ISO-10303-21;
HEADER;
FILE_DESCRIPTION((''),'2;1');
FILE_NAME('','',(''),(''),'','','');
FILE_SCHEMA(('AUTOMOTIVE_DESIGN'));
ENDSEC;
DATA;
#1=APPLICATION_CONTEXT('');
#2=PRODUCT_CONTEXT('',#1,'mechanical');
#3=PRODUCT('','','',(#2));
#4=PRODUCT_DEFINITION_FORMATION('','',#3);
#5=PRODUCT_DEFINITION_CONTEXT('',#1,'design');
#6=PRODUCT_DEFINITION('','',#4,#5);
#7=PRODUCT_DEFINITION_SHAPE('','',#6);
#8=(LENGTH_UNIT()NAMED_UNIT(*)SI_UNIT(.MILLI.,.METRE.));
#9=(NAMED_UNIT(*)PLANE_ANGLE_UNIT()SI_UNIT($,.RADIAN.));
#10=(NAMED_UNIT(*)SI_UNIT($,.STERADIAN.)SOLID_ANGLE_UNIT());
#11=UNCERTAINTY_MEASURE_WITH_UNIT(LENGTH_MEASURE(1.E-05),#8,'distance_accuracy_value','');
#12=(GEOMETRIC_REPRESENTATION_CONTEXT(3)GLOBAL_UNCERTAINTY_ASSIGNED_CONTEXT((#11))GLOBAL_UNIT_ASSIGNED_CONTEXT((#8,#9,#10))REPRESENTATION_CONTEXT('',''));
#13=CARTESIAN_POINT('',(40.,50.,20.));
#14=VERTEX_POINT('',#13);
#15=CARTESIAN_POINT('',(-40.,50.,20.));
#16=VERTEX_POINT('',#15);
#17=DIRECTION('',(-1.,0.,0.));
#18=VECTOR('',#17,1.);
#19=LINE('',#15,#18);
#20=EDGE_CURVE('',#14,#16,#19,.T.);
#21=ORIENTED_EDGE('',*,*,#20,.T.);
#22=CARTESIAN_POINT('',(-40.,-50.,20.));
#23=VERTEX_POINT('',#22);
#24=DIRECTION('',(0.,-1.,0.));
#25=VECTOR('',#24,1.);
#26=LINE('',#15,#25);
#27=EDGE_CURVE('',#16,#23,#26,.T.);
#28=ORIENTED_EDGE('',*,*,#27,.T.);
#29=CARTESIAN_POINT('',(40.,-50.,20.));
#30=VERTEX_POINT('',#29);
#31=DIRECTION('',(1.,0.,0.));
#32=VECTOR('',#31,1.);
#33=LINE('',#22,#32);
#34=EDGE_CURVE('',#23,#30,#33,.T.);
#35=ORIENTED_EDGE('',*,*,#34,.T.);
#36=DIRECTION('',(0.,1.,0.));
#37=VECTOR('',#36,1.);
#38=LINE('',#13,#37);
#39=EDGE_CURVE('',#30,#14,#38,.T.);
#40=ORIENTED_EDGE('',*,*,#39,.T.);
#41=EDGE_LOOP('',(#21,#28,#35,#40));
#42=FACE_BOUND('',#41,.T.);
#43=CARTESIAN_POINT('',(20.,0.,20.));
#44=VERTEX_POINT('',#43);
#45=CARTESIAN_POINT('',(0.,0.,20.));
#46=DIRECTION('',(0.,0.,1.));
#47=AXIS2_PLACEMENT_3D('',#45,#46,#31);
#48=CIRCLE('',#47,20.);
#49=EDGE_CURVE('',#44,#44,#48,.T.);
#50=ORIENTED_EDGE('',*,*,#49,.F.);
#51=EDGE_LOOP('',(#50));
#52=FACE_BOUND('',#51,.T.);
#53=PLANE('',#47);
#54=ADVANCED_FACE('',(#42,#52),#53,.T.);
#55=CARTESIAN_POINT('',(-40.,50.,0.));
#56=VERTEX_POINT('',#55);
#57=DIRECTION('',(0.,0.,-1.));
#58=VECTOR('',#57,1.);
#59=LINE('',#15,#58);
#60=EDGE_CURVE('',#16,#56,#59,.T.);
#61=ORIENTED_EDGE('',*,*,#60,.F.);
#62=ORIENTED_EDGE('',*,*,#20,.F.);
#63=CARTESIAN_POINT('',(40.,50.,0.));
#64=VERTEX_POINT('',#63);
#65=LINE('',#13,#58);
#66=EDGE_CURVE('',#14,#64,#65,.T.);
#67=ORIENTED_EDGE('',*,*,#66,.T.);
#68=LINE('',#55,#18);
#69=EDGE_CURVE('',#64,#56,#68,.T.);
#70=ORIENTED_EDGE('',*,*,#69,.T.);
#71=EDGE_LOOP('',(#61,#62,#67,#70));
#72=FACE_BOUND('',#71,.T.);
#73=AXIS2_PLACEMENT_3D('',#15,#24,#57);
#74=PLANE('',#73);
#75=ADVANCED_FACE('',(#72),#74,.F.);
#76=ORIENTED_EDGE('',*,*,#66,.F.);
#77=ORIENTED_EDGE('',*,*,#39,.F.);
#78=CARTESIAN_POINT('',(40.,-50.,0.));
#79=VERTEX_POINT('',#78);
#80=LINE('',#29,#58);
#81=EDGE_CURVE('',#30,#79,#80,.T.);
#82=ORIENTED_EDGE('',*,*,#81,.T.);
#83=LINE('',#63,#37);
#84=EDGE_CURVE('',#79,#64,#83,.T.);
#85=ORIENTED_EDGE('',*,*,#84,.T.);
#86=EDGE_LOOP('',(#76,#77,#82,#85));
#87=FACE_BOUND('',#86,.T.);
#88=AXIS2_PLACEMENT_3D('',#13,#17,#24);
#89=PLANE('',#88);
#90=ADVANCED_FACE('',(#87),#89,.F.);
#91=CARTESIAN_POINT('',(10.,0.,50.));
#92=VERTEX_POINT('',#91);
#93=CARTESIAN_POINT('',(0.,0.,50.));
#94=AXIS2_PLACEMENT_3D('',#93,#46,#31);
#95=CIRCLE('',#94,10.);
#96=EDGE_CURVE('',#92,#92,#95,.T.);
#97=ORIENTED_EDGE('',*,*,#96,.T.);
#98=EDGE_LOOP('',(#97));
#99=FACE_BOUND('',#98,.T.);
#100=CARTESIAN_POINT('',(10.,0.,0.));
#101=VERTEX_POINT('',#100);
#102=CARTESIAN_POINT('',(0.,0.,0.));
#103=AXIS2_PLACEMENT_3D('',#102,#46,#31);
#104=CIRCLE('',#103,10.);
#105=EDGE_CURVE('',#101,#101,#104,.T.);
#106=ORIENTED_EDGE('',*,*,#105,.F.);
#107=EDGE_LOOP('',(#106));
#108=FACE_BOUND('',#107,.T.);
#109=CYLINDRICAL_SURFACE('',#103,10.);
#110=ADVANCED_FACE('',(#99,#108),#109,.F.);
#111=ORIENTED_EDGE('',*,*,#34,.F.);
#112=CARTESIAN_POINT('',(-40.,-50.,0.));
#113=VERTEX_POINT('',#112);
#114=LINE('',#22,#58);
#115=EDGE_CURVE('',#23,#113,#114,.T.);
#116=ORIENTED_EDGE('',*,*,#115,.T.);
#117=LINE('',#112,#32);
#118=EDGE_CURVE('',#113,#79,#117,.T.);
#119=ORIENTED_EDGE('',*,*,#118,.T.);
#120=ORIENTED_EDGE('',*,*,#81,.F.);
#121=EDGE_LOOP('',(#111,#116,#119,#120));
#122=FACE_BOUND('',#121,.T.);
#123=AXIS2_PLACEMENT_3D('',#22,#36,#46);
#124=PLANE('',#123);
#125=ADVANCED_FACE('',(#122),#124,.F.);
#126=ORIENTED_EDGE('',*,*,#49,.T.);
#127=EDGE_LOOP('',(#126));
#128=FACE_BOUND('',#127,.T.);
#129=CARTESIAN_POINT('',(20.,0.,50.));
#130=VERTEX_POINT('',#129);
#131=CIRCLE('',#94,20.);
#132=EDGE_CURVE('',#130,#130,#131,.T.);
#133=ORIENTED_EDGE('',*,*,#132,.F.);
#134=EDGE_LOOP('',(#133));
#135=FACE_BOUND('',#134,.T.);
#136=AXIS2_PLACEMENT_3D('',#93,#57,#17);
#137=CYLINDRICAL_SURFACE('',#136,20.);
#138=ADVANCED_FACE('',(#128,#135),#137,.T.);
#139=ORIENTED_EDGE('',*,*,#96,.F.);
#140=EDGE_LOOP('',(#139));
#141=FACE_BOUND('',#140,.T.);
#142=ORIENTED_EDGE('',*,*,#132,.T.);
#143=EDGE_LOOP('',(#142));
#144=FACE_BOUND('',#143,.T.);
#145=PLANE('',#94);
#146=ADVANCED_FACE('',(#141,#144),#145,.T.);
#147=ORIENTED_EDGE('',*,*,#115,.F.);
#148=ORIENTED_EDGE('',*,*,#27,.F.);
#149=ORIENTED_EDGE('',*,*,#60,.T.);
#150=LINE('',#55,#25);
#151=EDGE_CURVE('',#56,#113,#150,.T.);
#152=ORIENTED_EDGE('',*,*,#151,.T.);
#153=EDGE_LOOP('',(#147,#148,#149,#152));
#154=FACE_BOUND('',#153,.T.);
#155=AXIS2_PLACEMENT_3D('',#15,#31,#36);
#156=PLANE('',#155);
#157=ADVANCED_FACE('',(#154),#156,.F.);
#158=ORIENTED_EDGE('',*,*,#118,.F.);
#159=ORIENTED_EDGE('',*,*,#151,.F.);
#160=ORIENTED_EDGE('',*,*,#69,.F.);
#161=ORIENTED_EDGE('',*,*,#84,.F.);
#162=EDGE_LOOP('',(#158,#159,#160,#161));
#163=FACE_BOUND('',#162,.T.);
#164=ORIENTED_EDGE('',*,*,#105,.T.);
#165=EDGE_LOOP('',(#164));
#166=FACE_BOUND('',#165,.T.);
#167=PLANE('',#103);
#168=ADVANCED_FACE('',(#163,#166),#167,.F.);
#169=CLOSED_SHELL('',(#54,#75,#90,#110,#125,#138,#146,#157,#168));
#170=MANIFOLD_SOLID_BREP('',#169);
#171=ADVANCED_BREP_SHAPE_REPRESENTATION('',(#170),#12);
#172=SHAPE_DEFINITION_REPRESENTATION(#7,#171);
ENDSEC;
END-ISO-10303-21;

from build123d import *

# Parameters (mm, degrees)
ESQUISSE1_W             = 80
ESQUISSE1_H             = 100
BOSS_EXTRU_1_DEPTH      = 20
ESQUISSE2_R             = 20
BOSS_EXTRU_2_DEPTH      = 30
ESQUISSE3_R             = 10
ENL_V_MAT_EXTRU_1_DEPTH = 82.240384046


with BuildPart() as part:
    # Esquisse1 → Boss.-Extru.1 (new body)
    with BuildSketch(Plane.XY):
        Rectangle(ESQUISSE1_W, ESQUISSE1_H)
    extrude(amount=BOSS_EXTRU_1_DEPTH)

    # Esquisse2 → Boss.-Extru.2 (add)
    with BuildSketch(Plane.XY.offset(20)):
        Circle(ESQUISSE2_R)
    extrude(amount=BOSS_EXTRU_2_DEPTH)

    # Esquisse3 → Enlèv. mat.-Extru.1 (cut, through all)
    with BuildSketch(Plane.XY.offset(50)):
        Circle(ESQUISSE3_R)
    extrude(amount=-ENL_V_MAT_EXTRU_1_DEPTH, mode=Mode.SUBTRACT)


solid = part.part
